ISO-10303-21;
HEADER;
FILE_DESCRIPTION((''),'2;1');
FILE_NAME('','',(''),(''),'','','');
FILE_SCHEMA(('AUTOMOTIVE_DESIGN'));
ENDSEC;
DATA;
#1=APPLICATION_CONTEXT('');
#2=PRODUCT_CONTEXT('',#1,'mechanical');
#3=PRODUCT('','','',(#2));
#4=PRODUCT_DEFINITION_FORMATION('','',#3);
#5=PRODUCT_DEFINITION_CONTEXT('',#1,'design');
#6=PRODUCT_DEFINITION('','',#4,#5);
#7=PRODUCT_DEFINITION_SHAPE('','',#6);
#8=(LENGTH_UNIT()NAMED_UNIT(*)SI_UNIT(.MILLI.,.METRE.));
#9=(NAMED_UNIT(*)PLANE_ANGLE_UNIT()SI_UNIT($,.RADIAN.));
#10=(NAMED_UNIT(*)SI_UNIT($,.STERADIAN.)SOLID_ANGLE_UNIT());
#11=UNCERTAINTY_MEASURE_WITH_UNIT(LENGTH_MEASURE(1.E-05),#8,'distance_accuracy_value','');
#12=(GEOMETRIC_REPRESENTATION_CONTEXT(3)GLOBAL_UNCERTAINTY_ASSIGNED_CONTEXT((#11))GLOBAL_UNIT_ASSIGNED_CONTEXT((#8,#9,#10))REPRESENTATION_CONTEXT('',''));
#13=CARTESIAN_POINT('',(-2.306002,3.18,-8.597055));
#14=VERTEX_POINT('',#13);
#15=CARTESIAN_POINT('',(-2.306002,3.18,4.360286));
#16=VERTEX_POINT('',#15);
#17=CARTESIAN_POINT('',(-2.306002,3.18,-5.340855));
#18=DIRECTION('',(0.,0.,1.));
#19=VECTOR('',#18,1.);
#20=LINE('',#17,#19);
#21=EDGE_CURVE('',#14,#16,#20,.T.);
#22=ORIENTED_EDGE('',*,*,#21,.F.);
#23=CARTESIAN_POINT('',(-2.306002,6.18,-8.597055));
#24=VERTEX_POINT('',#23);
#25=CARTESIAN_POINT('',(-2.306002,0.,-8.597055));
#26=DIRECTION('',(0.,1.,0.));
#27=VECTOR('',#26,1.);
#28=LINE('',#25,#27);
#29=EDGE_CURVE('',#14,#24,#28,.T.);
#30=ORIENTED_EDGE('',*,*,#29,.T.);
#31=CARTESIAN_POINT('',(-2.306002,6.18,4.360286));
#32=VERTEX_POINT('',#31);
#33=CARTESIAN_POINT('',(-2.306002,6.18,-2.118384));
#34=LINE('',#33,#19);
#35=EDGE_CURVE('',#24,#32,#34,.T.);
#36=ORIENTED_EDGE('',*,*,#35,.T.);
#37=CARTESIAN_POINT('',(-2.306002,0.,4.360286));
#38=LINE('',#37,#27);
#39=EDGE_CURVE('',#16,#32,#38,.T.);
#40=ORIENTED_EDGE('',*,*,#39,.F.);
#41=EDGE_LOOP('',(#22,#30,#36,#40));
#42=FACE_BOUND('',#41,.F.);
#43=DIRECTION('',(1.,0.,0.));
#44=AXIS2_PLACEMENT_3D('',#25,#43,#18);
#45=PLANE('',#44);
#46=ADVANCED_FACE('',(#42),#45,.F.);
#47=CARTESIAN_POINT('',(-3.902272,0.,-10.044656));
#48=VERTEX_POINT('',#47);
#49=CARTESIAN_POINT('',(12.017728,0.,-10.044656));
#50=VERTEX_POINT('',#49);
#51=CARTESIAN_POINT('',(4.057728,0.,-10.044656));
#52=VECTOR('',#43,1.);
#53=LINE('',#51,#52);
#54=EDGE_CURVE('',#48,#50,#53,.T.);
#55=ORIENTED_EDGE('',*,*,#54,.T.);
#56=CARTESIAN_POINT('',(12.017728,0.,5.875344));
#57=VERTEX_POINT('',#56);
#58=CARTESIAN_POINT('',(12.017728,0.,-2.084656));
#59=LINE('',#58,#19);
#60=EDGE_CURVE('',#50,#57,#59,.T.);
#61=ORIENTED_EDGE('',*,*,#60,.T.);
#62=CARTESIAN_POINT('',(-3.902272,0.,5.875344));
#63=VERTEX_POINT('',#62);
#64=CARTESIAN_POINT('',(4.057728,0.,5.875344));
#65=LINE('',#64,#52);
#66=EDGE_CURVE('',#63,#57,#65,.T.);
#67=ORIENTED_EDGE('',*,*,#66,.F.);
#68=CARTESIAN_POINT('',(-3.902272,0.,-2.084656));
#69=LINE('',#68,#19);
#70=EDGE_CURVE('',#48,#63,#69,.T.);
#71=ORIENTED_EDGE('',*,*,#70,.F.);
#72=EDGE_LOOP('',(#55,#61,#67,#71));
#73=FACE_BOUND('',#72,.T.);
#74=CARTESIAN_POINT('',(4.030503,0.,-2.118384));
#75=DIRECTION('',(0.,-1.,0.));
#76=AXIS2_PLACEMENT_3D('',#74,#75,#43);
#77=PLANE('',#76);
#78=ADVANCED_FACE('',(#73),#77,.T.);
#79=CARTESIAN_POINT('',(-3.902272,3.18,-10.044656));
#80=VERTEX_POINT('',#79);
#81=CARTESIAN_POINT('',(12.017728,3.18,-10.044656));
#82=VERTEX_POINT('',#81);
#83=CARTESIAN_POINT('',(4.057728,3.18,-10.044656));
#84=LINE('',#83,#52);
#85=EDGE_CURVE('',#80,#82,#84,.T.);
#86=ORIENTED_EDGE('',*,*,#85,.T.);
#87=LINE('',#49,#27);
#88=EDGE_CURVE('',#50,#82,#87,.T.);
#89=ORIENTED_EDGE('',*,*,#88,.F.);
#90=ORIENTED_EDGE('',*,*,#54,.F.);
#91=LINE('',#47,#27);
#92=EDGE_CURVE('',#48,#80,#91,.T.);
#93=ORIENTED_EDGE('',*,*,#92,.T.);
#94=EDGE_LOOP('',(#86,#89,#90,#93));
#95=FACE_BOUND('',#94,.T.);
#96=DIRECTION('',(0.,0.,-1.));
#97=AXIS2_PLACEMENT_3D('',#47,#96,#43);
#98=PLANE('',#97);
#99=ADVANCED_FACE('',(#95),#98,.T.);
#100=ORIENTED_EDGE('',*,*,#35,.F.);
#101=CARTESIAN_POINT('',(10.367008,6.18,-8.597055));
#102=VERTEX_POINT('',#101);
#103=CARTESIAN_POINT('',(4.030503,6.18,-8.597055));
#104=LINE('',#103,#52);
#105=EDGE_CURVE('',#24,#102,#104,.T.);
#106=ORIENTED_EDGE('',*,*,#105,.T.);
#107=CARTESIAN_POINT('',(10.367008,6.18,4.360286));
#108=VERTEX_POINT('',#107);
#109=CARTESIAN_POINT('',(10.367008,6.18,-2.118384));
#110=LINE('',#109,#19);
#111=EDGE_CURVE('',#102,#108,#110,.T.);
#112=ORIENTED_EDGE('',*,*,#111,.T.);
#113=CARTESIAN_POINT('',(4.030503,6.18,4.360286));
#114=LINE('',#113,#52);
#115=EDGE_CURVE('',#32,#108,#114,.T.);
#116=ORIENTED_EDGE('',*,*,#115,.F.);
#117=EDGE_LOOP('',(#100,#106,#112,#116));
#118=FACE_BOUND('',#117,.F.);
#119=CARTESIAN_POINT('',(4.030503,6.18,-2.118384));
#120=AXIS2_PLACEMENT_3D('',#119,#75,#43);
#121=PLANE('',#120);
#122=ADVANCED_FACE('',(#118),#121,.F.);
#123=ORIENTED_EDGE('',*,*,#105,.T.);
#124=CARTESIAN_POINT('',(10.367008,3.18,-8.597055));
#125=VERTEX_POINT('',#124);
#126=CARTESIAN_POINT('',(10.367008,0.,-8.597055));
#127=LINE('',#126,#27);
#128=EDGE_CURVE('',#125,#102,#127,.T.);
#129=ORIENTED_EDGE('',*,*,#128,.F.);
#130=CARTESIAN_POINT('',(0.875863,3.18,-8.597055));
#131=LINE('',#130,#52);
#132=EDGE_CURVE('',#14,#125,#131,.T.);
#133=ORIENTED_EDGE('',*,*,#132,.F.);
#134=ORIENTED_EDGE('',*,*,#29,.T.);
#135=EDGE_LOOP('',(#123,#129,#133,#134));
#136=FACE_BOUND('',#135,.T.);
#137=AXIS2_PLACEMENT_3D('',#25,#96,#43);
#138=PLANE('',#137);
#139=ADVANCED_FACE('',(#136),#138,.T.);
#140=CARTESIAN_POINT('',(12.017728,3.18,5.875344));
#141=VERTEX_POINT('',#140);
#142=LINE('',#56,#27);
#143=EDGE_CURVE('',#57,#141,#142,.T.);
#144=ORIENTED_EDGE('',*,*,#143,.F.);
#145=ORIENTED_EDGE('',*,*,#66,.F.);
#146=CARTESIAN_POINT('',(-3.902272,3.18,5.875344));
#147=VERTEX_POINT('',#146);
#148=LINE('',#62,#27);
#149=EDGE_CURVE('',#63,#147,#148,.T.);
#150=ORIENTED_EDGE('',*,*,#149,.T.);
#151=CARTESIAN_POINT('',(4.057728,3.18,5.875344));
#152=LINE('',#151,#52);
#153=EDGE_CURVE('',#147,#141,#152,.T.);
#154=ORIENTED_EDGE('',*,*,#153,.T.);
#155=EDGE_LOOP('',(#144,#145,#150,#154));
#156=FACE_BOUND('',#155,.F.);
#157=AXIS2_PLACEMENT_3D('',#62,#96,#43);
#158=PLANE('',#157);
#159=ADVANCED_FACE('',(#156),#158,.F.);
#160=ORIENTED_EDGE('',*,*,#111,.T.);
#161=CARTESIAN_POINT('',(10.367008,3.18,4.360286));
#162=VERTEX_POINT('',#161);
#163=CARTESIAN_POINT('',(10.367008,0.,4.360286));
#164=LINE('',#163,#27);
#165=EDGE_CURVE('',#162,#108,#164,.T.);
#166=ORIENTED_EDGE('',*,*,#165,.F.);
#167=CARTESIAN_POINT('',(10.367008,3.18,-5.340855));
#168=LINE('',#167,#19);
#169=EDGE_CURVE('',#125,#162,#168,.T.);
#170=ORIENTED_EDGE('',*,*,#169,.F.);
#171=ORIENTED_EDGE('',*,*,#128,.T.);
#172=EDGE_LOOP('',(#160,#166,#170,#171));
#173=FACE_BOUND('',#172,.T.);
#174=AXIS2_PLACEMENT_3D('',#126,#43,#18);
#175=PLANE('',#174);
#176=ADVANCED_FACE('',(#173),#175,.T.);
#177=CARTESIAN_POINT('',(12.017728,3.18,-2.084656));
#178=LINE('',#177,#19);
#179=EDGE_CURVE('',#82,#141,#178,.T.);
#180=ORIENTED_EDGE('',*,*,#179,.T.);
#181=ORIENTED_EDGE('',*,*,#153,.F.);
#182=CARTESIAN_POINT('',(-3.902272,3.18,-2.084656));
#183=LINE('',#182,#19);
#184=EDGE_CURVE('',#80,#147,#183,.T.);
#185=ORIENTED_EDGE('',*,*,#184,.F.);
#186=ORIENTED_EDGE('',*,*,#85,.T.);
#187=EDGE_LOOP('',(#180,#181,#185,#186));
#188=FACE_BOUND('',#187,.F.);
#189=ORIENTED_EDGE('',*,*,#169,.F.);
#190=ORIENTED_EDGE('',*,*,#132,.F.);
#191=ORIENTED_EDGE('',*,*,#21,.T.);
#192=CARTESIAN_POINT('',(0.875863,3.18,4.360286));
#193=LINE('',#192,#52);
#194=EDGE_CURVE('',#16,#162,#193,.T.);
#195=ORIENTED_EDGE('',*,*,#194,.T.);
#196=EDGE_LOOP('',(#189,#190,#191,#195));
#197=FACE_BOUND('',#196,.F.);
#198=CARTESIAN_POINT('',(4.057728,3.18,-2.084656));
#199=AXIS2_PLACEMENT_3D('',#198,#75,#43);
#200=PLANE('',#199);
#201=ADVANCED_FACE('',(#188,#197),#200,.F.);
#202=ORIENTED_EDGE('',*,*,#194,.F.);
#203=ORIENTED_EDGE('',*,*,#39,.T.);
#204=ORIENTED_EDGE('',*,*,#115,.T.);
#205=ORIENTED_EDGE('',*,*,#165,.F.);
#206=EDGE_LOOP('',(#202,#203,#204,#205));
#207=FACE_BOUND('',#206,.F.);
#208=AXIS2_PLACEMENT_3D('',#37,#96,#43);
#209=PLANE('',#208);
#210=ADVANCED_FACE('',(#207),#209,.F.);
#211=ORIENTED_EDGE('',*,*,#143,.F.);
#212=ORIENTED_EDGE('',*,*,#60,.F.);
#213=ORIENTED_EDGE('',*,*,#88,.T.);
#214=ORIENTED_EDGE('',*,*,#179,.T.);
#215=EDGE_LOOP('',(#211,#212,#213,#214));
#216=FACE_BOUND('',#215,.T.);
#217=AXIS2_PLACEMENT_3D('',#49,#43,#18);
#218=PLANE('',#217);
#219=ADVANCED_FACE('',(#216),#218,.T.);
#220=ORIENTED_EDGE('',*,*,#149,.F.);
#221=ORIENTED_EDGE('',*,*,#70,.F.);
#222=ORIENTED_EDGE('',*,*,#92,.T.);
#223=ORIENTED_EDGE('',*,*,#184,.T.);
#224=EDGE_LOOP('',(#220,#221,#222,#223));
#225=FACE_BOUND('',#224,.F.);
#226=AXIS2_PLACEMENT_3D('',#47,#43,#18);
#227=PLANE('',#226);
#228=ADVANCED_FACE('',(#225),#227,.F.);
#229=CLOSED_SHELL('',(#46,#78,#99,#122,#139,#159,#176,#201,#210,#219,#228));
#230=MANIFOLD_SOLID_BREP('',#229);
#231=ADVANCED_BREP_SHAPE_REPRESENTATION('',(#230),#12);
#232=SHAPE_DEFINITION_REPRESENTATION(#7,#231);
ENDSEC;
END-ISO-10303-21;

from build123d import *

# Parameters (mm, degrees)
F0_W     = 15.92
F0_H     = 15.92
F1_DEPTH = 3.18
F2_W     = 12.67301
F2_H     = 12.957341
F3_DEPTH = 6.18


with BuildPart() as f1:
    # F0 (on Front) → F1 (new body)
    with BuildSketch(Plane.XZ):
        with Locations((4.057728, -2.084656)):
            Rectangle(F0_W, F0_H)
    extrude(amount=-F1_DEPTH)

    # F2 (on face) → F3 (join)
    with BuildSketch(Plane.XZ):
        with Locations((4.030503, -2.118384)):
            Rectangle(F2_W, F2_H)
    extrude(amount=-F3_DEPTH)


solid = f1.part
